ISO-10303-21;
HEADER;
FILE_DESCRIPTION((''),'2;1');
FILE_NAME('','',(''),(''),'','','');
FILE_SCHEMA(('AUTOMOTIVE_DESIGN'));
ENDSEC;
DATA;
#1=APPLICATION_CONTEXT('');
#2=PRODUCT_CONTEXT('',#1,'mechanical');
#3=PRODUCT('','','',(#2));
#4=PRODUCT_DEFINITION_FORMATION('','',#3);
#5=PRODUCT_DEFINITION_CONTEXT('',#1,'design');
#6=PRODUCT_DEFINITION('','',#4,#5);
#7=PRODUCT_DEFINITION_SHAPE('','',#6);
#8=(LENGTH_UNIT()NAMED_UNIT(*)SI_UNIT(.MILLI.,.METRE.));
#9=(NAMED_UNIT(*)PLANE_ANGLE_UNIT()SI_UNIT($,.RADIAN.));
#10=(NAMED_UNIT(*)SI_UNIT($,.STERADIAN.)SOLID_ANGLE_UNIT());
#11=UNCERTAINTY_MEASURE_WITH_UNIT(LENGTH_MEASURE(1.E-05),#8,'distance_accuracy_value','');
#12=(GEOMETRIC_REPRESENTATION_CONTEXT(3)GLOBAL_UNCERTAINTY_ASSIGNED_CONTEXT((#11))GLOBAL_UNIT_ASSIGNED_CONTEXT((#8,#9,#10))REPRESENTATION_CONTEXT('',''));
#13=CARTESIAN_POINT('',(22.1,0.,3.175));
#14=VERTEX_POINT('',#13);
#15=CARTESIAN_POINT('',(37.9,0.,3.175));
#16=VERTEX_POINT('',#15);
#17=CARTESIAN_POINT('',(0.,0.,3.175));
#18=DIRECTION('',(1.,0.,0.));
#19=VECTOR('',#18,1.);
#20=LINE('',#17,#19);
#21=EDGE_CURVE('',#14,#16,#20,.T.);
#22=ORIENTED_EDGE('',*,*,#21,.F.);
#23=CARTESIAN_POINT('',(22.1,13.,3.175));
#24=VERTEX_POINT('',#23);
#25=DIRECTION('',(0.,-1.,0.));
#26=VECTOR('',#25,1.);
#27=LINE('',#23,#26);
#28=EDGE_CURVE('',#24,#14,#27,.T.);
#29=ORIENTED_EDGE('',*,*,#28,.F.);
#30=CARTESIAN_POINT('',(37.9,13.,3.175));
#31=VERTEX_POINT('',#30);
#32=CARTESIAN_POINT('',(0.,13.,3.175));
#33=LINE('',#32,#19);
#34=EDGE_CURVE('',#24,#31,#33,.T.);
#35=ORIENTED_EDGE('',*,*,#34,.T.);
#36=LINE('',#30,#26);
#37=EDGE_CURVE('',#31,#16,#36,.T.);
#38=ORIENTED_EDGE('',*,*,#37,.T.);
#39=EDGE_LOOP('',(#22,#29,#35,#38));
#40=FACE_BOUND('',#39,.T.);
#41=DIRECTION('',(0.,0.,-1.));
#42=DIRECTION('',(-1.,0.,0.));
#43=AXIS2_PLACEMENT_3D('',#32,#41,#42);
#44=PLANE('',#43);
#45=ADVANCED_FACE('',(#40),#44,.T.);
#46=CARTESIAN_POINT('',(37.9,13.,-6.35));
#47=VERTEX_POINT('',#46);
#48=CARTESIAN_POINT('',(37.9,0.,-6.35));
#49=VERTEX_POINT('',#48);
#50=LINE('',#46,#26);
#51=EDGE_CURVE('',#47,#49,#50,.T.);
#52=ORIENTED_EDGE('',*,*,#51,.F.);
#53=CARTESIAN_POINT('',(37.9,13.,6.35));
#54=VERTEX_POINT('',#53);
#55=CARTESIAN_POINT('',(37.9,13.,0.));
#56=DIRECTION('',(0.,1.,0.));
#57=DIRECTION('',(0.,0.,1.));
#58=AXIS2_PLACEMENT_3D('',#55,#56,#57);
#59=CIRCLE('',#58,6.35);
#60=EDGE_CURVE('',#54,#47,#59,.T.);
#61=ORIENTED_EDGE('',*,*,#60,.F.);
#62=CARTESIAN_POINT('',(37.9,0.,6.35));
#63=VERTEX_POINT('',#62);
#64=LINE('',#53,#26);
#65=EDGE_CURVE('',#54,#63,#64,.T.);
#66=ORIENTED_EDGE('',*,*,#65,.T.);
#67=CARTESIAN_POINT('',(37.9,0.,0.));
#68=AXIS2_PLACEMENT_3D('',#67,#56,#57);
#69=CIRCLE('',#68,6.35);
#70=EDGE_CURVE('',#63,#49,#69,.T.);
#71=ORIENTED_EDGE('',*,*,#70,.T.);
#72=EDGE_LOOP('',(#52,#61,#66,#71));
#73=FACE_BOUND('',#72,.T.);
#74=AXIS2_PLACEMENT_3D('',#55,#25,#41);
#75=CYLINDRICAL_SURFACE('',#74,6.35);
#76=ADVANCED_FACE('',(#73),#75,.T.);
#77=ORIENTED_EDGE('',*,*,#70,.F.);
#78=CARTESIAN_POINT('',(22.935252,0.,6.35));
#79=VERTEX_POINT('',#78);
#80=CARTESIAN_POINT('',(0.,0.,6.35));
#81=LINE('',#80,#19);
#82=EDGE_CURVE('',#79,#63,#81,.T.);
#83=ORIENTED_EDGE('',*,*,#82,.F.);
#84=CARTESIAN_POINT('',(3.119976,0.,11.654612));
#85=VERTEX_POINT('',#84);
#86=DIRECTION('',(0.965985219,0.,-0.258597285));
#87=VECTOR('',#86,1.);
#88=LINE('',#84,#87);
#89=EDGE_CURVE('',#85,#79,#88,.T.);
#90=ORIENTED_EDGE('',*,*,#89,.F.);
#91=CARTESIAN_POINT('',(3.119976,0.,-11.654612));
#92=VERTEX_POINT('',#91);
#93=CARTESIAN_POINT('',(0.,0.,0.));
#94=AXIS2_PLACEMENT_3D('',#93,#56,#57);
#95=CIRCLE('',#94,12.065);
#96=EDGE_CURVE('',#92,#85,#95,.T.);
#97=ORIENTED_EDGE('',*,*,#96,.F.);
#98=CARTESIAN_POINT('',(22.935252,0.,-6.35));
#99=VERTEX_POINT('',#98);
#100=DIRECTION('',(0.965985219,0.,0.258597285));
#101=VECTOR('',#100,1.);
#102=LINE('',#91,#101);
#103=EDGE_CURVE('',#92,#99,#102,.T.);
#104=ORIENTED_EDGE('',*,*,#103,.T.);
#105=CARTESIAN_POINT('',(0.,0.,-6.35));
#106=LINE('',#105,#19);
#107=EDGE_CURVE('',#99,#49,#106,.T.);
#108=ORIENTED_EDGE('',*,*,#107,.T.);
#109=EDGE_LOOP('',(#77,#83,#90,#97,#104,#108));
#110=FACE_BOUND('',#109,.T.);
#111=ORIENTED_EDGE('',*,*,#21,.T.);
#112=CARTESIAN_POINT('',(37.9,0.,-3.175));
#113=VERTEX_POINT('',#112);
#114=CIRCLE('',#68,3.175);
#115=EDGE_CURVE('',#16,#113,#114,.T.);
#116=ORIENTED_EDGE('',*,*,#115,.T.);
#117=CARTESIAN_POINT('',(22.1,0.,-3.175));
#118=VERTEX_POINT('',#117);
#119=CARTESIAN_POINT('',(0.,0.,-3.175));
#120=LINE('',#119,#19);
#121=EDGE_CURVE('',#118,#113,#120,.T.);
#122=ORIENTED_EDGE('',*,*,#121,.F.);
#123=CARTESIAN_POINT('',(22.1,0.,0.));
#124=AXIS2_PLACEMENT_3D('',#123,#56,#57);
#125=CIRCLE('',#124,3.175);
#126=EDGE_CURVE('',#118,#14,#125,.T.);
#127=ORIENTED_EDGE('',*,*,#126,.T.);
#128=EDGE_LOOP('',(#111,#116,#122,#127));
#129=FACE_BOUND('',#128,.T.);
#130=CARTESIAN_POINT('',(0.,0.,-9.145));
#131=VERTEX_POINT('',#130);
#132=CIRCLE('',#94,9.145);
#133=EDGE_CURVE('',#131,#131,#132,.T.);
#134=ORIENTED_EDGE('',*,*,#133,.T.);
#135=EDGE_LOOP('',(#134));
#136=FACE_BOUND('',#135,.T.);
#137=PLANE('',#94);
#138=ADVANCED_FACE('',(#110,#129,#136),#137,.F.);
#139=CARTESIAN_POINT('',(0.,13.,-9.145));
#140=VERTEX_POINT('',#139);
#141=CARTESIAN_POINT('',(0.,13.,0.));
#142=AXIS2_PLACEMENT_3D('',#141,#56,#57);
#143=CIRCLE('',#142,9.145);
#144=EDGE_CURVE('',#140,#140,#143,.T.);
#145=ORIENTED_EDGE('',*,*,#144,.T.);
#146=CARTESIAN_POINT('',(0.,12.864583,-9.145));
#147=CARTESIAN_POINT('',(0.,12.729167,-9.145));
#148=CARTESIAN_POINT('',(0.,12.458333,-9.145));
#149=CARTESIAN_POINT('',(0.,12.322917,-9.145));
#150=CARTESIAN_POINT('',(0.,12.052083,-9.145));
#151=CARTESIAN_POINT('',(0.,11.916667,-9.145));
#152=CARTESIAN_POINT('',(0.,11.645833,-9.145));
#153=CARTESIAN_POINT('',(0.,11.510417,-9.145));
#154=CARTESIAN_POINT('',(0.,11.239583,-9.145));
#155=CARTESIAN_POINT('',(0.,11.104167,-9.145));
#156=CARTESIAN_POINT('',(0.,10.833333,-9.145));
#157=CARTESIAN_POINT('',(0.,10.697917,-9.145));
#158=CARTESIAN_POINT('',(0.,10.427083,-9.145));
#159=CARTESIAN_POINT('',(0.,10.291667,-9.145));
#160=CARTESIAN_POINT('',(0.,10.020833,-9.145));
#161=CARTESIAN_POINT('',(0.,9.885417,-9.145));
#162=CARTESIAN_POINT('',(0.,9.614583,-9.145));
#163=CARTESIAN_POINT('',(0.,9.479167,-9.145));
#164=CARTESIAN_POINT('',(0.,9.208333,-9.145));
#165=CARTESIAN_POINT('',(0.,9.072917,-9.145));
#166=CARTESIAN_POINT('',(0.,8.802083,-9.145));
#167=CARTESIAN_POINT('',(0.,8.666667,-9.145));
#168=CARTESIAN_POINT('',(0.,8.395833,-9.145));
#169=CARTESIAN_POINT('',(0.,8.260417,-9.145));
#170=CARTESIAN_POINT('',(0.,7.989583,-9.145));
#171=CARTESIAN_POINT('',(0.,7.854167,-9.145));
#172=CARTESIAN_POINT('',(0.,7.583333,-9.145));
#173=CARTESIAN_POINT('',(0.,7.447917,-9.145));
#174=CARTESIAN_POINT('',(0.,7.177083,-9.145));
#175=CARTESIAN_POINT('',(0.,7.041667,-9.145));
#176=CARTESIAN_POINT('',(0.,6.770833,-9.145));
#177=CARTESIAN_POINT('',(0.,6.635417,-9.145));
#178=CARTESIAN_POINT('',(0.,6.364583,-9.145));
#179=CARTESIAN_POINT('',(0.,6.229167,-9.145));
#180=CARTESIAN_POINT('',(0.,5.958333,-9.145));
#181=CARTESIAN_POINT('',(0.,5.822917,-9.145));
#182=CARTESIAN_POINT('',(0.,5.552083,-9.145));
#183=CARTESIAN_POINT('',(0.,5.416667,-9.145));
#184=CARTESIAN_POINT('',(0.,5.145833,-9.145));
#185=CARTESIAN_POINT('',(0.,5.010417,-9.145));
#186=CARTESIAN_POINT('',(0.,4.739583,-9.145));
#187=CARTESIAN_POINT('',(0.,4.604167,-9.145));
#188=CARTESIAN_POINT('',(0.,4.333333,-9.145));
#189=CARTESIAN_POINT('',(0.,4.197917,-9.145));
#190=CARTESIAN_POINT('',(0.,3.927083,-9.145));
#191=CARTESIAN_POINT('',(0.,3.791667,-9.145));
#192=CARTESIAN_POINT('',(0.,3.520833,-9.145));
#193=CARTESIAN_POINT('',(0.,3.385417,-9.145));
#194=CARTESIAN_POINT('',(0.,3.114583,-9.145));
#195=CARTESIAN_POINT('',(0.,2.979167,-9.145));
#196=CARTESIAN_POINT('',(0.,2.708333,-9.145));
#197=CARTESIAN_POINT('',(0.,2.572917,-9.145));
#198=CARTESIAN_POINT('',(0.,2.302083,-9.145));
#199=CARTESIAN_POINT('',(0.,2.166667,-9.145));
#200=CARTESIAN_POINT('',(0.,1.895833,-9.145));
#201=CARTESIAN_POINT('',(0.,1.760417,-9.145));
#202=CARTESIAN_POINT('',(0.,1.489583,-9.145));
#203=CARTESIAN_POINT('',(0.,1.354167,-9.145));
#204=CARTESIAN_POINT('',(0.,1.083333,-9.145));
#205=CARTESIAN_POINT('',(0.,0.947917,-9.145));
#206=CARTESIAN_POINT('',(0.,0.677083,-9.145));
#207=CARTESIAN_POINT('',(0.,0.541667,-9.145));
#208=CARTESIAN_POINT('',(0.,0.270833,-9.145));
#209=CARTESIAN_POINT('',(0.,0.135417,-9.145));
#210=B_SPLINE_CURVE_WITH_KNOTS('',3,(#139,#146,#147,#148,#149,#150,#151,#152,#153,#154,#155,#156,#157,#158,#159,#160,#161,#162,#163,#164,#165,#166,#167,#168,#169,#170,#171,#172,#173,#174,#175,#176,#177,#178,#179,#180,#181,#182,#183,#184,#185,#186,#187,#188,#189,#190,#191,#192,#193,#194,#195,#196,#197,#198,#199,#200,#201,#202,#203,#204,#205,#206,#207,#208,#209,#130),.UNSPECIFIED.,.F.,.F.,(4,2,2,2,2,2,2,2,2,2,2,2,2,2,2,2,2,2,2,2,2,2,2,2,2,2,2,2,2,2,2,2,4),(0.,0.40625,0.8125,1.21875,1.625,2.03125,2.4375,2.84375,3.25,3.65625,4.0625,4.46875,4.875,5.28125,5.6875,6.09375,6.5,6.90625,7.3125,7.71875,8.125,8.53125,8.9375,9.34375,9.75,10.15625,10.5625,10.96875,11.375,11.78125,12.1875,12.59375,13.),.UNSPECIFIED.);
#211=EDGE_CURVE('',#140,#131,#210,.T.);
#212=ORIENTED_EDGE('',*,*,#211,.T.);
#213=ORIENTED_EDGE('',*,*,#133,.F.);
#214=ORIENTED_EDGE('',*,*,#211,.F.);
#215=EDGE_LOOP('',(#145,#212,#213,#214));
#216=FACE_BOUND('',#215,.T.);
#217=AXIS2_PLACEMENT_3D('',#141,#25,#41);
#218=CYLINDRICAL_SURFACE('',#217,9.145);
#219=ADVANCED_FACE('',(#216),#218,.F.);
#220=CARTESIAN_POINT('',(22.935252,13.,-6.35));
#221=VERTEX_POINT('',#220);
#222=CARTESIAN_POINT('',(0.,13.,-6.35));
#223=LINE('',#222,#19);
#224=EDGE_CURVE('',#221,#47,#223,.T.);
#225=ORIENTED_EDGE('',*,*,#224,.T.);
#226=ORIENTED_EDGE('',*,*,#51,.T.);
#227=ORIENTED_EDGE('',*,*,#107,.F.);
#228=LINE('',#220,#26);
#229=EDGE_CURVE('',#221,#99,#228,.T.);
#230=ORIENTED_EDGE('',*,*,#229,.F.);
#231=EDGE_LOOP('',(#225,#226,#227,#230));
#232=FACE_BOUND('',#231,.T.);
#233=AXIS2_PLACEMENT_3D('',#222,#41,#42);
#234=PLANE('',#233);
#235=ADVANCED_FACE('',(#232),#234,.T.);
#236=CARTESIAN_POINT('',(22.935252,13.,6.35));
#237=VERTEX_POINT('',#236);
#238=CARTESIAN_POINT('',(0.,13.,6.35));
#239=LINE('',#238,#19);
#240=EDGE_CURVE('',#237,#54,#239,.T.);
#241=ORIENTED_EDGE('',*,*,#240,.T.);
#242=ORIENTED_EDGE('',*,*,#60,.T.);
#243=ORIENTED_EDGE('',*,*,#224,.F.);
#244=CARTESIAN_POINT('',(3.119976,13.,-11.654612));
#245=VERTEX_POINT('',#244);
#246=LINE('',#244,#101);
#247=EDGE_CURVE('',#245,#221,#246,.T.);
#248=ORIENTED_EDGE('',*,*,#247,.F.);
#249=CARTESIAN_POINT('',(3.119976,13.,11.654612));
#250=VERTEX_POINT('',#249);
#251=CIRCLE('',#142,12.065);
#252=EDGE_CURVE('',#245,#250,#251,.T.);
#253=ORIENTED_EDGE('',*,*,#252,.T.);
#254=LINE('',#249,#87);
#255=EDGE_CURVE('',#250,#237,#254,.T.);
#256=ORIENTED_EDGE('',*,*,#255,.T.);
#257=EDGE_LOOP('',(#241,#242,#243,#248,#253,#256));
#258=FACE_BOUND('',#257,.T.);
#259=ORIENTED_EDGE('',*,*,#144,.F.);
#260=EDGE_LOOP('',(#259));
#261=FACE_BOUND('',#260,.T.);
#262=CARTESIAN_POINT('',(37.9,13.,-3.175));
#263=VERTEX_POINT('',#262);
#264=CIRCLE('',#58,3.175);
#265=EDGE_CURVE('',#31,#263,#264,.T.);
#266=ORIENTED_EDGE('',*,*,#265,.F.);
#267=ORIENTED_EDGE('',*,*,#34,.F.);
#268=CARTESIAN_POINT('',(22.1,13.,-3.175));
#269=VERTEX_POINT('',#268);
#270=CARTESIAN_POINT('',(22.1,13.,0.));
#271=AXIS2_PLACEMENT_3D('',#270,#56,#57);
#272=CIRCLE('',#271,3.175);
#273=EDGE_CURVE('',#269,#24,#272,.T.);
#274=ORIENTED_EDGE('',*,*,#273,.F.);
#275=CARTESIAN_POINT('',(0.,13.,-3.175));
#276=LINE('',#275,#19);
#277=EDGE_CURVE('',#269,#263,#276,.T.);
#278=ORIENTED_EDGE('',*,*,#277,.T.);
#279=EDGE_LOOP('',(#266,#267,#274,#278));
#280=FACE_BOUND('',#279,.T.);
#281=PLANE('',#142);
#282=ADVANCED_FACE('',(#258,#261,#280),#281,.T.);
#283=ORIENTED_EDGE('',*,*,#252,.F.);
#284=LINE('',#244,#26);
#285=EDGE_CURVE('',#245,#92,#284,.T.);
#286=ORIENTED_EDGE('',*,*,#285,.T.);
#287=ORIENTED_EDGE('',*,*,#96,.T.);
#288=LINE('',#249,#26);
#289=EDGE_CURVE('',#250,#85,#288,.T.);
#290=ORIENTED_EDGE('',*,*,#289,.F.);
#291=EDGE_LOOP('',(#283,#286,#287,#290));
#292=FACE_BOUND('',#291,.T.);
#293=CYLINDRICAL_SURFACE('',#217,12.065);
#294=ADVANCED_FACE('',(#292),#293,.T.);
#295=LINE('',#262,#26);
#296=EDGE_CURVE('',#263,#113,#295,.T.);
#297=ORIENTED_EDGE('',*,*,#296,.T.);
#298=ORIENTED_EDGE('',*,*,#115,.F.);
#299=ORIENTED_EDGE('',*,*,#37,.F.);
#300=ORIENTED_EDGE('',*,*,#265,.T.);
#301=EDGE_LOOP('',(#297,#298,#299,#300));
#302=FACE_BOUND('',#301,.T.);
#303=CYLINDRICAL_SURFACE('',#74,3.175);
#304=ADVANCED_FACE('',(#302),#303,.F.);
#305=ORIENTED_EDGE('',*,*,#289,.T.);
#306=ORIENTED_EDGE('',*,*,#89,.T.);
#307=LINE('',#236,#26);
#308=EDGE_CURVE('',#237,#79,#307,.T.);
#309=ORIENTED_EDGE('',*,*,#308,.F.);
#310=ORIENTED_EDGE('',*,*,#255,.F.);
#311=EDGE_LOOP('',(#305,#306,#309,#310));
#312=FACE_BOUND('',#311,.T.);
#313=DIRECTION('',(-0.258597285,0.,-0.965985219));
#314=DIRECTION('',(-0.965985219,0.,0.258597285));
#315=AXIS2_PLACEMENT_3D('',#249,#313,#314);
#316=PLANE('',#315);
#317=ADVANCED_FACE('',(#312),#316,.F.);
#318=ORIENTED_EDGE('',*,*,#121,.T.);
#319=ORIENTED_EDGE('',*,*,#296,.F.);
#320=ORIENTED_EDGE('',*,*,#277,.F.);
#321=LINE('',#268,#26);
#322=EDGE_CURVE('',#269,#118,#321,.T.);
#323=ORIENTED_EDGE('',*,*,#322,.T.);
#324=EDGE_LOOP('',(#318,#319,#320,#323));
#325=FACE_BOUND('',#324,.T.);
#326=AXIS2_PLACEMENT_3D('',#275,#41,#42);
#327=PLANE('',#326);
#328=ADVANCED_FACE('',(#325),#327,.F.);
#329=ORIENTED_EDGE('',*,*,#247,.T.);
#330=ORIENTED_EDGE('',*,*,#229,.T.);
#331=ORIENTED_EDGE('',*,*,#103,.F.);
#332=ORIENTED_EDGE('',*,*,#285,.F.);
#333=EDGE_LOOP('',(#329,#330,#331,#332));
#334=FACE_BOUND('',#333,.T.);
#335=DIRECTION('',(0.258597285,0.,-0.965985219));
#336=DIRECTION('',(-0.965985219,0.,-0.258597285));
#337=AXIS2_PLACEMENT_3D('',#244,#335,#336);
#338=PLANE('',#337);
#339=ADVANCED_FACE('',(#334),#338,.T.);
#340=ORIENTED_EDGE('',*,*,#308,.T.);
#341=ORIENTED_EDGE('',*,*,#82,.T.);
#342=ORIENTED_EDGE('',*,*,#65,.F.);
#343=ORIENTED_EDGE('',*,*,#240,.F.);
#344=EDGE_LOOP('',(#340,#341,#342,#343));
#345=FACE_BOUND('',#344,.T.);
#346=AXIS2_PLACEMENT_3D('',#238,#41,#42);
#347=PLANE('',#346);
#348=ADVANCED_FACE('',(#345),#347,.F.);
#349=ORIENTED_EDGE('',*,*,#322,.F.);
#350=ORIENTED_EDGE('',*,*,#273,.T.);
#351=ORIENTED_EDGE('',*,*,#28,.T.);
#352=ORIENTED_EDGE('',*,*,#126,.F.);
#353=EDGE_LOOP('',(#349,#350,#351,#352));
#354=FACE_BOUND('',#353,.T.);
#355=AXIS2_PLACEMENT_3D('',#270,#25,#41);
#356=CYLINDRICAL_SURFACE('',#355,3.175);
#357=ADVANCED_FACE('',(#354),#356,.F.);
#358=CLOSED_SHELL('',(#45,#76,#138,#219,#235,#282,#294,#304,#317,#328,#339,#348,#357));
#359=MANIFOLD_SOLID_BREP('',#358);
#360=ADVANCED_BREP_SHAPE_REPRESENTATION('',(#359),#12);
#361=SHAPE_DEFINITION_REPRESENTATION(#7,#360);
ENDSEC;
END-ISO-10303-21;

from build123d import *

# Parameters (mm, degrees)
SKETCH1_R           = 9.145
BOSS_EXTRUDE3_DEPTH = 13


with BuildPart() as part:
    # Sketch1 → Boss-Extrude3 (new body)
    with BuildSketch(Plane(origin=(0, 0, 0), x_dir=(1, 0, 0), z_dir=(0, 1, 0))):
        with BuildLine():
            Line((22.935251834, 6.35), (3.119976244, 11.654611672))
            ThreePointArc((3.119976244, 11.654611672), (-12.065, 0), (3.119976244, -11.654611672))
            Line((3.119976244, -11.654611672), (22.935251834, -6.35))
            Line((22.935251834, -6.35), (37.9, -6.35))
            ThreePointArc((37.9, -6.35), (44.25, 0), (37.9, 6.35))
            Line((37.9, 6.35), (22.935251834, 6.35))
        make_face()
        with Locations(Location((0, 0, 0), (0, 0, 90))):
            Circle(SKETCH1_R, mode=Mode.SUBTRACT)
        with BuildLine():
            Line((37.9, -3.175), (22.1, -3.175))
            ThreePointArc((22.1, -3.175), (18.925, 0), (22.1, 3.175))
            Line((22.1, 3.175), (37.9, 3.175))
            ThreePointArc((37.9, 3.175), (41.075, 0), (37.9, -3.175))
        make_face(mode=Mode.SUBTRACT)
    extrude(amount=BOSS_EXTRUDE3_DEPTH)


solid = part.part
